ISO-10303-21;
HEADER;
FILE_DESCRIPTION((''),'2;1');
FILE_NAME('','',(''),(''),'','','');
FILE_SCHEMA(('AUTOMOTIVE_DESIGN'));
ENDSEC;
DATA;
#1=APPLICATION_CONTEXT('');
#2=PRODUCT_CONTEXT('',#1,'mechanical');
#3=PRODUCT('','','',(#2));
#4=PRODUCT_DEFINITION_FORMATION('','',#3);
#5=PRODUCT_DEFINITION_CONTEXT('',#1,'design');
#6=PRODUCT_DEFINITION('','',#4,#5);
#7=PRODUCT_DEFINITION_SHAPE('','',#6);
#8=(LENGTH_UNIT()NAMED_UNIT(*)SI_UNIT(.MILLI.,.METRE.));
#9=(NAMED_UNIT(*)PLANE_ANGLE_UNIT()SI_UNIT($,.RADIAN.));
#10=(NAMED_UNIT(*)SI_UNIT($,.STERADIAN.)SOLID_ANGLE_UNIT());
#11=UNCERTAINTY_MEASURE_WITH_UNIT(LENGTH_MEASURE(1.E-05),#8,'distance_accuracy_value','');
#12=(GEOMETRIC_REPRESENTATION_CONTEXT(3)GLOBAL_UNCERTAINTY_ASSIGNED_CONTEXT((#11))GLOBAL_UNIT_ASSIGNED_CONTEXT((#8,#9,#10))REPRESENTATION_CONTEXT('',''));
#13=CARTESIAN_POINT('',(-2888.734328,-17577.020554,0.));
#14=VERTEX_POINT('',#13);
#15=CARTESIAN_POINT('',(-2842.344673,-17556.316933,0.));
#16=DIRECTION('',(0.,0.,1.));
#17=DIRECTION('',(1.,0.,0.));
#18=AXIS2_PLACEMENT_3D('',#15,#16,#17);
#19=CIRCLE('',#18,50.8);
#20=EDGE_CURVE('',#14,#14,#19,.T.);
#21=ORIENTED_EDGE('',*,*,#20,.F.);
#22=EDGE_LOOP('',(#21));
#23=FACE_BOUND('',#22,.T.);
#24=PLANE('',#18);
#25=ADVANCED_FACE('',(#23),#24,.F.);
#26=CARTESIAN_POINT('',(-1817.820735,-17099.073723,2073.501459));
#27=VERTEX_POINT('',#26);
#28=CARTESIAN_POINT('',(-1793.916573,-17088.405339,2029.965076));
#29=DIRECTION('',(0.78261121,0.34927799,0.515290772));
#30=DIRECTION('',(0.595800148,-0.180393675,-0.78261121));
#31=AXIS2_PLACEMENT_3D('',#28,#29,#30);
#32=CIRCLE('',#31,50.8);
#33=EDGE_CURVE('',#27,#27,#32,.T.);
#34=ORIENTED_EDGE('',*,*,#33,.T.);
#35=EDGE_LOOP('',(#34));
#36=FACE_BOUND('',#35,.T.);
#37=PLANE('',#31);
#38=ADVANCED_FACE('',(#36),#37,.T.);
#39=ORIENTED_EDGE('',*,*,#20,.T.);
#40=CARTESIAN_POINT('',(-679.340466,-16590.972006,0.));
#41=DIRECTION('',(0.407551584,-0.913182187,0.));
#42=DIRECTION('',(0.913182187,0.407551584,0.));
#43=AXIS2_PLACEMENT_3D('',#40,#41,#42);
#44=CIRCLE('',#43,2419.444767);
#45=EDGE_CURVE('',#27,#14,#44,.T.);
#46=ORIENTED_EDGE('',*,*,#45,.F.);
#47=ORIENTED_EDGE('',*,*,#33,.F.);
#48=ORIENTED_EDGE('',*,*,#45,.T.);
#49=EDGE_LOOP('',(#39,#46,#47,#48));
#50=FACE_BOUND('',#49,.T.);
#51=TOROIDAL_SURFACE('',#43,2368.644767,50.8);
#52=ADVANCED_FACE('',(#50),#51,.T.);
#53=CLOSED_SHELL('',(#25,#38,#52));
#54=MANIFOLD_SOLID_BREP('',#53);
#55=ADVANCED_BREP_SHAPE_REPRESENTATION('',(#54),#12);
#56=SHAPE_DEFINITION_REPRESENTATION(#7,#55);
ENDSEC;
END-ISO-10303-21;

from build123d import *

# Parameters (mm, degrees)
SKETCH1_R = 50.8


with BuildPart() as part:
    # Sweep1: sweep along a path in Sketch2
    with BuildLine(Plane(origin=(6061.805627947, -13582.410506003, 0), x_dir=(-0.9131711152024589, -0.4075466429884856, -0.0049242409276578965), z_dir=(-0.4075515842041507, 0.913182186758309, -4.047326709888388e-15))) as sweep1_path:
        ThreePointArc((9750.565084605, 48.014713795), (9437.917400457, 1212.561850218), (8592.478990622, 2072.301637904))
    # Sketch1 → Sweep1 (sweep)
    with BuildSketch(Plane.XY):
        with Locations((-2842.344673376, -17556.316933349)):
            Circle(SKETCH1_R)
    sweep(path=sweep1_path.line)


solid = part.part
